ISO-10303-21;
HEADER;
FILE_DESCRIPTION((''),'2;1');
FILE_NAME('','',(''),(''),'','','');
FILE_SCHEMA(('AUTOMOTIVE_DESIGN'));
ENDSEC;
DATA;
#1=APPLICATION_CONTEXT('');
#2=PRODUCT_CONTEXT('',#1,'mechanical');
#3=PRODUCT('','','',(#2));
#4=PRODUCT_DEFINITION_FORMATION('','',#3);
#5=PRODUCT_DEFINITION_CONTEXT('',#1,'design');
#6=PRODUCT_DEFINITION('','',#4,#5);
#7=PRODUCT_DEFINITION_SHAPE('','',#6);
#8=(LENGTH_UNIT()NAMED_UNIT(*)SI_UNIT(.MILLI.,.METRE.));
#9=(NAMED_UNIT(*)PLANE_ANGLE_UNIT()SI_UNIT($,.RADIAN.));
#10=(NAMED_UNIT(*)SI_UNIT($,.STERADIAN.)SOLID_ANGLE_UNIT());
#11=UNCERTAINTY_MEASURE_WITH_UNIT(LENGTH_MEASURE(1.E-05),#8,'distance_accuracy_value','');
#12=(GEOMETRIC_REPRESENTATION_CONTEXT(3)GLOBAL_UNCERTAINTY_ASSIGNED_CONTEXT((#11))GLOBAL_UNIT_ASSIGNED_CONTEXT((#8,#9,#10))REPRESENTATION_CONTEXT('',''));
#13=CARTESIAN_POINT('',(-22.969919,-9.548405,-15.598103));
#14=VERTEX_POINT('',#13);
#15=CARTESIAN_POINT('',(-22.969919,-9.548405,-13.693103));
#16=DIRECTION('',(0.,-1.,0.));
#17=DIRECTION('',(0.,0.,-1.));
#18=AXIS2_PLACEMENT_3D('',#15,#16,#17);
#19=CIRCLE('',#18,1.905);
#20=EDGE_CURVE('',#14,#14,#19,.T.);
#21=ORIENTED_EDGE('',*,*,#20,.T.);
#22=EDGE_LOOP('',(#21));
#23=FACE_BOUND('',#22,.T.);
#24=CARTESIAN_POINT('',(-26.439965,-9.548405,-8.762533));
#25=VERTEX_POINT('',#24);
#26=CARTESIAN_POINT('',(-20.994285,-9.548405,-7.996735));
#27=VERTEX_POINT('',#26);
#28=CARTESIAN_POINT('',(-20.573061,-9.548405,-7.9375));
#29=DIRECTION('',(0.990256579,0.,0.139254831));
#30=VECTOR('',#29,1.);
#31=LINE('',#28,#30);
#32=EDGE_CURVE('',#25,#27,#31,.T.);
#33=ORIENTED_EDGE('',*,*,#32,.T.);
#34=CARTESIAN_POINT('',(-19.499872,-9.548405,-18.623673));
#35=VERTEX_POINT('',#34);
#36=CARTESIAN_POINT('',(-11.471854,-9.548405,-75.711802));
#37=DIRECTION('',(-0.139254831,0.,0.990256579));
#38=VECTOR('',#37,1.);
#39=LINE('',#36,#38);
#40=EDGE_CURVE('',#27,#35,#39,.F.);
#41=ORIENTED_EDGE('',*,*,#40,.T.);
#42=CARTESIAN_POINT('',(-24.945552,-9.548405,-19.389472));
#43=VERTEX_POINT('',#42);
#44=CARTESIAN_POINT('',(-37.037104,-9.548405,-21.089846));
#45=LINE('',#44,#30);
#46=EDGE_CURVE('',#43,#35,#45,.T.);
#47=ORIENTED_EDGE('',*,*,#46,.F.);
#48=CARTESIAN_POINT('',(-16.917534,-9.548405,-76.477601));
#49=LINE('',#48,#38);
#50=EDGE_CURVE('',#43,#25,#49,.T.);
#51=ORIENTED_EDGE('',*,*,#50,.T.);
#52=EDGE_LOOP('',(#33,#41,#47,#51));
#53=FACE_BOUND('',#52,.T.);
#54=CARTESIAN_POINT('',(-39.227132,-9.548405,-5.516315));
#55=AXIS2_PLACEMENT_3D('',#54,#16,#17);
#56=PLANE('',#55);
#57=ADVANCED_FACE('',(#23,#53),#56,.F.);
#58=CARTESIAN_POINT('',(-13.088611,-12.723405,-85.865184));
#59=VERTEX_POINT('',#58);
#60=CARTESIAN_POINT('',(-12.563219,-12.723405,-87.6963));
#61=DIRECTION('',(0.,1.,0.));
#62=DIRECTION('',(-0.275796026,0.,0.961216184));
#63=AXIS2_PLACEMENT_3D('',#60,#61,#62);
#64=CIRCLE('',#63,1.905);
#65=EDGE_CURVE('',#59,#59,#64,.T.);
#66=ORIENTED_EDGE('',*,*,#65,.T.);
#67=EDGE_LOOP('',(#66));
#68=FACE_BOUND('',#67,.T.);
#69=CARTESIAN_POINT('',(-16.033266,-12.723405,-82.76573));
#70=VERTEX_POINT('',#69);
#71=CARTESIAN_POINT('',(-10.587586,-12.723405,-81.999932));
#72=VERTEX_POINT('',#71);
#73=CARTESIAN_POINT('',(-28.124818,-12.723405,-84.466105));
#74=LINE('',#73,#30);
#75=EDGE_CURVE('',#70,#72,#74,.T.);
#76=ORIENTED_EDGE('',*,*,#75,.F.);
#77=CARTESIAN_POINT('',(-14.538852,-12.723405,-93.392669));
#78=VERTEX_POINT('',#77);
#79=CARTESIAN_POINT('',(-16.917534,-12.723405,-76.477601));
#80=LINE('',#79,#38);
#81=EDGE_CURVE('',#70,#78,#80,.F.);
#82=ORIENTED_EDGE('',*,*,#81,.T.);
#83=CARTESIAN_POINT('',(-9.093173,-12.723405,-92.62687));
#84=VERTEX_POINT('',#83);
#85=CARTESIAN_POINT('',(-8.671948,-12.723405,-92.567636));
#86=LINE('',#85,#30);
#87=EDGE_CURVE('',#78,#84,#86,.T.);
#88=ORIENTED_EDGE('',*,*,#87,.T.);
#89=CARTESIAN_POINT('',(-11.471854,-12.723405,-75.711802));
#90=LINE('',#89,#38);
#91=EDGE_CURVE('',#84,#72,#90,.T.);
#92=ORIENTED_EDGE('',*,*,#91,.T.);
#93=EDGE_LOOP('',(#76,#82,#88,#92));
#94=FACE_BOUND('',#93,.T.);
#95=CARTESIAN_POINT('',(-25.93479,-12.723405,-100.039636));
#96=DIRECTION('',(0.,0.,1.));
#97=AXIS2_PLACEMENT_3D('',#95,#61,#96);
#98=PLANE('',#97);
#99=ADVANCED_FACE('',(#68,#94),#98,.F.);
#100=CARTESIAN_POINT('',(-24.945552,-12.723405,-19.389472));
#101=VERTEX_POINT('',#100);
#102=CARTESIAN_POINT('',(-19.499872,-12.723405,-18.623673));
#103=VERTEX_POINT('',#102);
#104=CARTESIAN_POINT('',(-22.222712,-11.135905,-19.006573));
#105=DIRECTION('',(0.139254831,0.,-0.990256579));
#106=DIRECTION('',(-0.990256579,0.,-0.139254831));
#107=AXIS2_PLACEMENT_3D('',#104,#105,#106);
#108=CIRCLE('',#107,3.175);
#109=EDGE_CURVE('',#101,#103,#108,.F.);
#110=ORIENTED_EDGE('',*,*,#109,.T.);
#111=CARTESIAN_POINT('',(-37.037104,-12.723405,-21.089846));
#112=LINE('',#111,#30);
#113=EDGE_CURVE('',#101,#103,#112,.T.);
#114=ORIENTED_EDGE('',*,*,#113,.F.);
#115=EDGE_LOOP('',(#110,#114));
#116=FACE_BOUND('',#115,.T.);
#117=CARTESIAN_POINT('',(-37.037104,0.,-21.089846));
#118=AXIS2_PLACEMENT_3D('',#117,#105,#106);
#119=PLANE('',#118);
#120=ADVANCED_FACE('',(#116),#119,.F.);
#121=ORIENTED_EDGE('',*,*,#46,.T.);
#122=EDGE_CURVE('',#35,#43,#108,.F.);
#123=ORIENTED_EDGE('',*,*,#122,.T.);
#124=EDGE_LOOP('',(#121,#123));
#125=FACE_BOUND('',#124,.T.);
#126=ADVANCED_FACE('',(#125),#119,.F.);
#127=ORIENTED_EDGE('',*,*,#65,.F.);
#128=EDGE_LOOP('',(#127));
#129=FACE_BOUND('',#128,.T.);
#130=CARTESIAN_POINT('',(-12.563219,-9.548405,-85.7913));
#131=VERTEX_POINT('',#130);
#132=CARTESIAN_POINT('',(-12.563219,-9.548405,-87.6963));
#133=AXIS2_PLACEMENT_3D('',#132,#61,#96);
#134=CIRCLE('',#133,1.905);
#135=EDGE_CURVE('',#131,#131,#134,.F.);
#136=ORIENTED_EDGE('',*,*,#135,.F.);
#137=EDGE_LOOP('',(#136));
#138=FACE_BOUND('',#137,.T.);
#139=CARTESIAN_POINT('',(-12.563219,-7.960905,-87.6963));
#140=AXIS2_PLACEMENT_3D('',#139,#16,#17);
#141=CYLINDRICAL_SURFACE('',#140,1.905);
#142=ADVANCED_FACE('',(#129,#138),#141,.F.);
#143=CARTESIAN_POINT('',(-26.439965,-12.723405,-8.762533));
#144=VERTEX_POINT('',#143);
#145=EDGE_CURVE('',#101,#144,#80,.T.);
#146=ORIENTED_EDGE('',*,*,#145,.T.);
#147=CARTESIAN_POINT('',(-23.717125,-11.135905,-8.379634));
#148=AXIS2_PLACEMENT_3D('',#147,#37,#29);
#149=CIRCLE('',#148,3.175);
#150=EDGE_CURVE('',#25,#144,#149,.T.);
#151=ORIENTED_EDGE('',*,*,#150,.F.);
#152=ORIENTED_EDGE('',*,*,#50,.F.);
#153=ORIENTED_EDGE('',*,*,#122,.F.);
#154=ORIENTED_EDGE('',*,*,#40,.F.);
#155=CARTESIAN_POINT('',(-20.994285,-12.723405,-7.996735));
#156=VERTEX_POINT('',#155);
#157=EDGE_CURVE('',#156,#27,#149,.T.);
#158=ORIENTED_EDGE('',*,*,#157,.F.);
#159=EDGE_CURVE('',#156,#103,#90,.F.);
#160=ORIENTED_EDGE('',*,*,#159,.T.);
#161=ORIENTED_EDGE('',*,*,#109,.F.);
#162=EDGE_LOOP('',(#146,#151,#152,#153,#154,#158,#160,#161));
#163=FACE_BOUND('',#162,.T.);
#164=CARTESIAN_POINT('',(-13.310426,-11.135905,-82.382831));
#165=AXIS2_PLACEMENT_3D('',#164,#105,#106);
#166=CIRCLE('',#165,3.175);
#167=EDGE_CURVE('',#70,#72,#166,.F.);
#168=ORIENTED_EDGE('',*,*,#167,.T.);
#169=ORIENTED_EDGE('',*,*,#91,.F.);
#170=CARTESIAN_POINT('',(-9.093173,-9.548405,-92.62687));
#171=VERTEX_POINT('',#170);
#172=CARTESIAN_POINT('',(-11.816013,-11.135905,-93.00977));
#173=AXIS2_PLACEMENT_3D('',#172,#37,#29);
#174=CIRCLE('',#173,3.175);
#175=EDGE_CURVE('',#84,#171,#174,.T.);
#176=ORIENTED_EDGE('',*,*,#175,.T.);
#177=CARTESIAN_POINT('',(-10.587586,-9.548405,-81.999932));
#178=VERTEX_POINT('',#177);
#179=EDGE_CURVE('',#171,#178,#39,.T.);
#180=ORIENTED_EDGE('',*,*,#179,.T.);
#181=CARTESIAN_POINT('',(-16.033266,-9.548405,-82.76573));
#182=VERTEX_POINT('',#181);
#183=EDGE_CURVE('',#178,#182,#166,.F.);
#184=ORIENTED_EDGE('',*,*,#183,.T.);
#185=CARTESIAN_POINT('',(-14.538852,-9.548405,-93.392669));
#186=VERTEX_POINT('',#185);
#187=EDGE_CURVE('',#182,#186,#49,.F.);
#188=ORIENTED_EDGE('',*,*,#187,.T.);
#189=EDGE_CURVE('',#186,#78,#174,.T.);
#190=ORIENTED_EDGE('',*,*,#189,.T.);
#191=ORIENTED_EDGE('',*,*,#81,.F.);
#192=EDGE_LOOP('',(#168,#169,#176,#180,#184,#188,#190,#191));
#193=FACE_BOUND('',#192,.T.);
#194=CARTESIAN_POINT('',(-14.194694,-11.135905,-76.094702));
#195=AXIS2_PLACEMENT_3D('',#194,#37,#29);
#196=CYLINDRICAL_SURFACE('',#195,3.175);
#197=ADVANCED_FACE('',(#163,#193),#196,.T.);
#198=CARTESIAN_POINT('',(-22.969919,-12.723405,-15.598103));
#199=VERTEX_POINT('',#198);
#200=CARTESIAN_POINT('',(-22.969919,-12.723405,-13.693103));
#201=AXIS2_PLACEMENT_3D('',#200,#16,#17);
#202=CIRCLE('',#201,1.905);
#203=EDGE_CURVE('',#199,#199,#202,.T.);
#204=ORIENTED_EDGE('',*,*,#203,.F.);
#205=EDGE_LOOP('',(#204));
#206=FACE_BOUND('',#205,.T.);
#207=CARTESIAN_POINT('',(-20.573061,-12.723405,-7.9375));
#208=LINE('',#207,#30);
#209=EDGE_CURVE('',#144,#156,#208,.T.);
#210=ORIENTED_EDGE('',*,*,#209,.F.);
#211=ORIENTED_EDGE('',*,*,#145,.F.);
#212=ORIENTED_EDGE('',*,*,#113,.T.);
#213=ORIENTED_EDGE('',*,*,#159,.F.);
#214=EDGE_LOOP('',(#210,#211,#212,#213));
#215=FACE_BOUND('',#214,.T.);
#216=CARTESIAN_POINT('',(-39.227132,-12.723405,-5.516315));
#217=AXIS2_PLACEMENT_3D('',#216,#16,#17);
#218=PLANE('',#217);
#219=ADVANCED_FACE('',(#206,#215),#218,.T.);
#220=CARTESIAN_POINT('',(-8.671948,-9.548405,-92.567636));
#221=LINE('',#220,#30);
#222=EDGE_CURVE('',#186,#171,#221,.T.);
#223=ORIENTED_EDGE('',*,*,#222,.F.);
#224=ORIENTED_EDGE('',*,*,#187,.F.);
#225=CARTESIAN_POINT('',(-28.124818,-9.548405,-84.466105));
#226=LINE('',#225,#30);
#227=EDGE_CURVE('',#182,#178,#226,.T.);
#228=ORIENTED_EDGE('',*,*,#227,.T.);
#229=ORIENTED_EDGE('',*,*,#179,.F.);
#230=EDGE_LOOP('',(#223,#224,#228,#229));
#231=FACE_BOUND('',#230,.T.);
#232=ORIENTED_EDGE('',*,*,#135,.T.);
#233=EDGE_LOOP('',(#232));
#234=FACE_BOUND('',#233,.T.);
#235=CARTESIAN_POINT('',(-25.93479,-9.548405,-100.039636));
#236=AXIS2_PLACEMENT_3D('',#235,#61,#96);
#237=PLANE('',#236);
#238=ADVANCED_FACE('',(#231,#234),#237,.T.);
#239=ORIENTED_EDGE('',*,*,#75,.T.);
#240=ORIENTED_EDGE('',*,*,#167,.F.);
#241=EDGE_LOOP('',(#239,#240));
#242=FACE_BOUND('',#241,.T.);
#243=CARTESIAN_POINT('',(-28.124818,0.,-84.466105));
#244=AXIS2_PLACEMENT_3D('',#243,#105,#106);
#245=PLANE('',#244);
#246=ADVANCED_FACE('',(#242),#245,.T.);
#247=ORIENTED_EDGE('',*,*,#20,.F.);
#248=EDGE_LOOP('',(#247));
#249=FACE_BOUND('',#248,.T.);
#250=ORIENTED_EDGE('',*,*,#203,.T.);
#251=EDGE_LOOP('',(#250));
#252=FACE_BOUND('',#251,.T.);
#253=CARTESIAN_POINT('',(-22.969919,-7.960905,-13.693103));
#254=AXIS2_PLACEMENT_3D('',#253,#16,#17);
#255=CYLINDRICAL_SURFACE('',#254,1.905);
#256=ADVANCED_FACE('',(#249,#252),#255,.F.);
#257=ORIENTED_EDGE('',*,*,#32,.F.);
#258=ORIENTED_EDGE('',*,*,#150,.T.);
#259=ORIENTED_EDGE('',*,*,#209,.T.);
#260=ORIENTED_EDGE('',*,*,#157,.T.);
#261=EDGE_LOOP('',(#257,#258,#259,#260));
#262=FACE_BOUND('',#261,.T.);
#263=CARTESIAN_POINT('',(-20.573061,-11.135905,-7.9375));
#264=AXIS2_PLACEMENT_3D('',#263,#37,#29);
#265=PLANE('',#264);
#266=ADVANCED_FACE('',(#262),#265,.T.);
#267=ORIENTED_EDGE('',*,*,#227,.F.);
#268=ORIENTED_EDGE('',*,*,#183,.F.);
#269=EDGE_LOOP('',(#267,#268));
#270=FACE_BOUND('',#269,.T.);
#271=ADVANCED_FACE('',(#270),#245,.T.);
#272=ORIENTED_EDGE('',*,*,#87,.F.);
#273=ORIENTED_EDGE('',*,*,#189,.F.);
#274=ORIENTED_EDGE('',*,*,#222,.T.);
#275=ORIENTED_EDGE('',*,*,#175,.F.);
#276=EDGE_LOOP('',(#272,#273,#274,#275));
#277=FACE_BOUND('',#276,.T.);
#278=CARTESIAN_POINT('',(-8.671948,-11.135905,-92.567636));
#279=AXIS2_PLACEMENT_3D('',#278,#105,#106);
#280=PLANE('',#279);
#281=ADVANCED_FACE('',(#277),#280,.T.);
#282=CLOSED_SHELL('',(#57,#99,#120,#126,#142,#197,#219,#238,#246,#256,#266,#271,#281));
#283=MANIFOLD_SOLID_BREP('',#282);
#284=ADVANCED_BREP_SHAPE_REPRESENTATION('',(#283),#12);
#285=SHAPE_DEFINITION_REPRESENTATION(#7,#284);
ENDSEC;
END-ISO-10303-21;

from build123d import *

# Parameters (mm, degrees)
SKETCH2_W          = 10.7315
SKETCH2_H          = 1.5875
CUT_EXTRUDE1_DEPTH = 93.498486906
SKETCH3_R          = 1.905
CUT_EXTRUDE2_DEPTH = 98.35226363


with BuildPart() as part:
    # Sketch1 → Revolve1 (revolve)
    with BuildSketch(Plane(origin=(0, -11.13590516, 0), x_dir=(1, 0, 0), z_dir=(0, 1, 0))):
        Polygon((-20.573060678, 7.9375), (-23.717125316, 8.37963409), (-21.338443913, 25.294701841), (-14.194693913, 76.094701841), (-11.816012511, 93.009769593), (-8.671947873, 92.567635503), align=None)
    revolve(axis=Axis((-14.194693913, -11.13590516, -76.094701841), (0.13925483139909506, 0, -0.9902565788380351)))

    # Sketch2 → Cut-Extrude1 (cut, symmetric)
    with BuildSketch(Plane(origin=(-24.412739892, 0, -3.433041547), x_dir=(0.13925483139909503, 0, -0.9902565788380351), z_dir=(0.9902565788380351, 0, 0.13925483139909503))):
        with Locations((10.361013498, -13.51715516)):
            Rectangle(SKETCH2_W, SKETCH2_H)
        with Locations((10.361013498, -8.75465516)):
            Rectangle(SKETCH2_W, SKETCH2_H)
    cut_extrude1 = extrude(amount=CUT_EXTRUDE1_DEPTH, both=True, mode=Mode.SUBTRACT)

    # Sketch3 → Cut-Extrude2 (cut, through all)
    with BuildSketch(Plane.XZ.offset(12.72340516)):
        with Locations(Location((-22.969918704, -13.693103328, 0), (0, 0, 270))):
            Circle(SKETCH3_R)
    cut_extrude2 = extrude(amount=-CUT_EXTRUDE2_DEPTH, mode=Mode.SUBTRACT)

    # Mirror1: Cut-Extrude1, Cut-Extrude2 across plane
    add(cut_extrude1.mirror(Plane(origin=(6.646170979, 0, -47.261660294), x_dir=(0.9902565788380351, 0, 0.13925483139909509), z_dir=(-0.13925483139909509, 0, 0.9902565788380352))), mode=Mode.SUBTRACT)
    add(cut_extrude2.mirror(Plane(origin=(6.646170979, 0, -47.261660294), x_dir=(0.9902565788380351, 0, 0.13925483139909509), z_dir=(-0.13925483139909509, 0, 0.9902565788380352))), mode=Mode.SUBTRACT)


solid = part.part
